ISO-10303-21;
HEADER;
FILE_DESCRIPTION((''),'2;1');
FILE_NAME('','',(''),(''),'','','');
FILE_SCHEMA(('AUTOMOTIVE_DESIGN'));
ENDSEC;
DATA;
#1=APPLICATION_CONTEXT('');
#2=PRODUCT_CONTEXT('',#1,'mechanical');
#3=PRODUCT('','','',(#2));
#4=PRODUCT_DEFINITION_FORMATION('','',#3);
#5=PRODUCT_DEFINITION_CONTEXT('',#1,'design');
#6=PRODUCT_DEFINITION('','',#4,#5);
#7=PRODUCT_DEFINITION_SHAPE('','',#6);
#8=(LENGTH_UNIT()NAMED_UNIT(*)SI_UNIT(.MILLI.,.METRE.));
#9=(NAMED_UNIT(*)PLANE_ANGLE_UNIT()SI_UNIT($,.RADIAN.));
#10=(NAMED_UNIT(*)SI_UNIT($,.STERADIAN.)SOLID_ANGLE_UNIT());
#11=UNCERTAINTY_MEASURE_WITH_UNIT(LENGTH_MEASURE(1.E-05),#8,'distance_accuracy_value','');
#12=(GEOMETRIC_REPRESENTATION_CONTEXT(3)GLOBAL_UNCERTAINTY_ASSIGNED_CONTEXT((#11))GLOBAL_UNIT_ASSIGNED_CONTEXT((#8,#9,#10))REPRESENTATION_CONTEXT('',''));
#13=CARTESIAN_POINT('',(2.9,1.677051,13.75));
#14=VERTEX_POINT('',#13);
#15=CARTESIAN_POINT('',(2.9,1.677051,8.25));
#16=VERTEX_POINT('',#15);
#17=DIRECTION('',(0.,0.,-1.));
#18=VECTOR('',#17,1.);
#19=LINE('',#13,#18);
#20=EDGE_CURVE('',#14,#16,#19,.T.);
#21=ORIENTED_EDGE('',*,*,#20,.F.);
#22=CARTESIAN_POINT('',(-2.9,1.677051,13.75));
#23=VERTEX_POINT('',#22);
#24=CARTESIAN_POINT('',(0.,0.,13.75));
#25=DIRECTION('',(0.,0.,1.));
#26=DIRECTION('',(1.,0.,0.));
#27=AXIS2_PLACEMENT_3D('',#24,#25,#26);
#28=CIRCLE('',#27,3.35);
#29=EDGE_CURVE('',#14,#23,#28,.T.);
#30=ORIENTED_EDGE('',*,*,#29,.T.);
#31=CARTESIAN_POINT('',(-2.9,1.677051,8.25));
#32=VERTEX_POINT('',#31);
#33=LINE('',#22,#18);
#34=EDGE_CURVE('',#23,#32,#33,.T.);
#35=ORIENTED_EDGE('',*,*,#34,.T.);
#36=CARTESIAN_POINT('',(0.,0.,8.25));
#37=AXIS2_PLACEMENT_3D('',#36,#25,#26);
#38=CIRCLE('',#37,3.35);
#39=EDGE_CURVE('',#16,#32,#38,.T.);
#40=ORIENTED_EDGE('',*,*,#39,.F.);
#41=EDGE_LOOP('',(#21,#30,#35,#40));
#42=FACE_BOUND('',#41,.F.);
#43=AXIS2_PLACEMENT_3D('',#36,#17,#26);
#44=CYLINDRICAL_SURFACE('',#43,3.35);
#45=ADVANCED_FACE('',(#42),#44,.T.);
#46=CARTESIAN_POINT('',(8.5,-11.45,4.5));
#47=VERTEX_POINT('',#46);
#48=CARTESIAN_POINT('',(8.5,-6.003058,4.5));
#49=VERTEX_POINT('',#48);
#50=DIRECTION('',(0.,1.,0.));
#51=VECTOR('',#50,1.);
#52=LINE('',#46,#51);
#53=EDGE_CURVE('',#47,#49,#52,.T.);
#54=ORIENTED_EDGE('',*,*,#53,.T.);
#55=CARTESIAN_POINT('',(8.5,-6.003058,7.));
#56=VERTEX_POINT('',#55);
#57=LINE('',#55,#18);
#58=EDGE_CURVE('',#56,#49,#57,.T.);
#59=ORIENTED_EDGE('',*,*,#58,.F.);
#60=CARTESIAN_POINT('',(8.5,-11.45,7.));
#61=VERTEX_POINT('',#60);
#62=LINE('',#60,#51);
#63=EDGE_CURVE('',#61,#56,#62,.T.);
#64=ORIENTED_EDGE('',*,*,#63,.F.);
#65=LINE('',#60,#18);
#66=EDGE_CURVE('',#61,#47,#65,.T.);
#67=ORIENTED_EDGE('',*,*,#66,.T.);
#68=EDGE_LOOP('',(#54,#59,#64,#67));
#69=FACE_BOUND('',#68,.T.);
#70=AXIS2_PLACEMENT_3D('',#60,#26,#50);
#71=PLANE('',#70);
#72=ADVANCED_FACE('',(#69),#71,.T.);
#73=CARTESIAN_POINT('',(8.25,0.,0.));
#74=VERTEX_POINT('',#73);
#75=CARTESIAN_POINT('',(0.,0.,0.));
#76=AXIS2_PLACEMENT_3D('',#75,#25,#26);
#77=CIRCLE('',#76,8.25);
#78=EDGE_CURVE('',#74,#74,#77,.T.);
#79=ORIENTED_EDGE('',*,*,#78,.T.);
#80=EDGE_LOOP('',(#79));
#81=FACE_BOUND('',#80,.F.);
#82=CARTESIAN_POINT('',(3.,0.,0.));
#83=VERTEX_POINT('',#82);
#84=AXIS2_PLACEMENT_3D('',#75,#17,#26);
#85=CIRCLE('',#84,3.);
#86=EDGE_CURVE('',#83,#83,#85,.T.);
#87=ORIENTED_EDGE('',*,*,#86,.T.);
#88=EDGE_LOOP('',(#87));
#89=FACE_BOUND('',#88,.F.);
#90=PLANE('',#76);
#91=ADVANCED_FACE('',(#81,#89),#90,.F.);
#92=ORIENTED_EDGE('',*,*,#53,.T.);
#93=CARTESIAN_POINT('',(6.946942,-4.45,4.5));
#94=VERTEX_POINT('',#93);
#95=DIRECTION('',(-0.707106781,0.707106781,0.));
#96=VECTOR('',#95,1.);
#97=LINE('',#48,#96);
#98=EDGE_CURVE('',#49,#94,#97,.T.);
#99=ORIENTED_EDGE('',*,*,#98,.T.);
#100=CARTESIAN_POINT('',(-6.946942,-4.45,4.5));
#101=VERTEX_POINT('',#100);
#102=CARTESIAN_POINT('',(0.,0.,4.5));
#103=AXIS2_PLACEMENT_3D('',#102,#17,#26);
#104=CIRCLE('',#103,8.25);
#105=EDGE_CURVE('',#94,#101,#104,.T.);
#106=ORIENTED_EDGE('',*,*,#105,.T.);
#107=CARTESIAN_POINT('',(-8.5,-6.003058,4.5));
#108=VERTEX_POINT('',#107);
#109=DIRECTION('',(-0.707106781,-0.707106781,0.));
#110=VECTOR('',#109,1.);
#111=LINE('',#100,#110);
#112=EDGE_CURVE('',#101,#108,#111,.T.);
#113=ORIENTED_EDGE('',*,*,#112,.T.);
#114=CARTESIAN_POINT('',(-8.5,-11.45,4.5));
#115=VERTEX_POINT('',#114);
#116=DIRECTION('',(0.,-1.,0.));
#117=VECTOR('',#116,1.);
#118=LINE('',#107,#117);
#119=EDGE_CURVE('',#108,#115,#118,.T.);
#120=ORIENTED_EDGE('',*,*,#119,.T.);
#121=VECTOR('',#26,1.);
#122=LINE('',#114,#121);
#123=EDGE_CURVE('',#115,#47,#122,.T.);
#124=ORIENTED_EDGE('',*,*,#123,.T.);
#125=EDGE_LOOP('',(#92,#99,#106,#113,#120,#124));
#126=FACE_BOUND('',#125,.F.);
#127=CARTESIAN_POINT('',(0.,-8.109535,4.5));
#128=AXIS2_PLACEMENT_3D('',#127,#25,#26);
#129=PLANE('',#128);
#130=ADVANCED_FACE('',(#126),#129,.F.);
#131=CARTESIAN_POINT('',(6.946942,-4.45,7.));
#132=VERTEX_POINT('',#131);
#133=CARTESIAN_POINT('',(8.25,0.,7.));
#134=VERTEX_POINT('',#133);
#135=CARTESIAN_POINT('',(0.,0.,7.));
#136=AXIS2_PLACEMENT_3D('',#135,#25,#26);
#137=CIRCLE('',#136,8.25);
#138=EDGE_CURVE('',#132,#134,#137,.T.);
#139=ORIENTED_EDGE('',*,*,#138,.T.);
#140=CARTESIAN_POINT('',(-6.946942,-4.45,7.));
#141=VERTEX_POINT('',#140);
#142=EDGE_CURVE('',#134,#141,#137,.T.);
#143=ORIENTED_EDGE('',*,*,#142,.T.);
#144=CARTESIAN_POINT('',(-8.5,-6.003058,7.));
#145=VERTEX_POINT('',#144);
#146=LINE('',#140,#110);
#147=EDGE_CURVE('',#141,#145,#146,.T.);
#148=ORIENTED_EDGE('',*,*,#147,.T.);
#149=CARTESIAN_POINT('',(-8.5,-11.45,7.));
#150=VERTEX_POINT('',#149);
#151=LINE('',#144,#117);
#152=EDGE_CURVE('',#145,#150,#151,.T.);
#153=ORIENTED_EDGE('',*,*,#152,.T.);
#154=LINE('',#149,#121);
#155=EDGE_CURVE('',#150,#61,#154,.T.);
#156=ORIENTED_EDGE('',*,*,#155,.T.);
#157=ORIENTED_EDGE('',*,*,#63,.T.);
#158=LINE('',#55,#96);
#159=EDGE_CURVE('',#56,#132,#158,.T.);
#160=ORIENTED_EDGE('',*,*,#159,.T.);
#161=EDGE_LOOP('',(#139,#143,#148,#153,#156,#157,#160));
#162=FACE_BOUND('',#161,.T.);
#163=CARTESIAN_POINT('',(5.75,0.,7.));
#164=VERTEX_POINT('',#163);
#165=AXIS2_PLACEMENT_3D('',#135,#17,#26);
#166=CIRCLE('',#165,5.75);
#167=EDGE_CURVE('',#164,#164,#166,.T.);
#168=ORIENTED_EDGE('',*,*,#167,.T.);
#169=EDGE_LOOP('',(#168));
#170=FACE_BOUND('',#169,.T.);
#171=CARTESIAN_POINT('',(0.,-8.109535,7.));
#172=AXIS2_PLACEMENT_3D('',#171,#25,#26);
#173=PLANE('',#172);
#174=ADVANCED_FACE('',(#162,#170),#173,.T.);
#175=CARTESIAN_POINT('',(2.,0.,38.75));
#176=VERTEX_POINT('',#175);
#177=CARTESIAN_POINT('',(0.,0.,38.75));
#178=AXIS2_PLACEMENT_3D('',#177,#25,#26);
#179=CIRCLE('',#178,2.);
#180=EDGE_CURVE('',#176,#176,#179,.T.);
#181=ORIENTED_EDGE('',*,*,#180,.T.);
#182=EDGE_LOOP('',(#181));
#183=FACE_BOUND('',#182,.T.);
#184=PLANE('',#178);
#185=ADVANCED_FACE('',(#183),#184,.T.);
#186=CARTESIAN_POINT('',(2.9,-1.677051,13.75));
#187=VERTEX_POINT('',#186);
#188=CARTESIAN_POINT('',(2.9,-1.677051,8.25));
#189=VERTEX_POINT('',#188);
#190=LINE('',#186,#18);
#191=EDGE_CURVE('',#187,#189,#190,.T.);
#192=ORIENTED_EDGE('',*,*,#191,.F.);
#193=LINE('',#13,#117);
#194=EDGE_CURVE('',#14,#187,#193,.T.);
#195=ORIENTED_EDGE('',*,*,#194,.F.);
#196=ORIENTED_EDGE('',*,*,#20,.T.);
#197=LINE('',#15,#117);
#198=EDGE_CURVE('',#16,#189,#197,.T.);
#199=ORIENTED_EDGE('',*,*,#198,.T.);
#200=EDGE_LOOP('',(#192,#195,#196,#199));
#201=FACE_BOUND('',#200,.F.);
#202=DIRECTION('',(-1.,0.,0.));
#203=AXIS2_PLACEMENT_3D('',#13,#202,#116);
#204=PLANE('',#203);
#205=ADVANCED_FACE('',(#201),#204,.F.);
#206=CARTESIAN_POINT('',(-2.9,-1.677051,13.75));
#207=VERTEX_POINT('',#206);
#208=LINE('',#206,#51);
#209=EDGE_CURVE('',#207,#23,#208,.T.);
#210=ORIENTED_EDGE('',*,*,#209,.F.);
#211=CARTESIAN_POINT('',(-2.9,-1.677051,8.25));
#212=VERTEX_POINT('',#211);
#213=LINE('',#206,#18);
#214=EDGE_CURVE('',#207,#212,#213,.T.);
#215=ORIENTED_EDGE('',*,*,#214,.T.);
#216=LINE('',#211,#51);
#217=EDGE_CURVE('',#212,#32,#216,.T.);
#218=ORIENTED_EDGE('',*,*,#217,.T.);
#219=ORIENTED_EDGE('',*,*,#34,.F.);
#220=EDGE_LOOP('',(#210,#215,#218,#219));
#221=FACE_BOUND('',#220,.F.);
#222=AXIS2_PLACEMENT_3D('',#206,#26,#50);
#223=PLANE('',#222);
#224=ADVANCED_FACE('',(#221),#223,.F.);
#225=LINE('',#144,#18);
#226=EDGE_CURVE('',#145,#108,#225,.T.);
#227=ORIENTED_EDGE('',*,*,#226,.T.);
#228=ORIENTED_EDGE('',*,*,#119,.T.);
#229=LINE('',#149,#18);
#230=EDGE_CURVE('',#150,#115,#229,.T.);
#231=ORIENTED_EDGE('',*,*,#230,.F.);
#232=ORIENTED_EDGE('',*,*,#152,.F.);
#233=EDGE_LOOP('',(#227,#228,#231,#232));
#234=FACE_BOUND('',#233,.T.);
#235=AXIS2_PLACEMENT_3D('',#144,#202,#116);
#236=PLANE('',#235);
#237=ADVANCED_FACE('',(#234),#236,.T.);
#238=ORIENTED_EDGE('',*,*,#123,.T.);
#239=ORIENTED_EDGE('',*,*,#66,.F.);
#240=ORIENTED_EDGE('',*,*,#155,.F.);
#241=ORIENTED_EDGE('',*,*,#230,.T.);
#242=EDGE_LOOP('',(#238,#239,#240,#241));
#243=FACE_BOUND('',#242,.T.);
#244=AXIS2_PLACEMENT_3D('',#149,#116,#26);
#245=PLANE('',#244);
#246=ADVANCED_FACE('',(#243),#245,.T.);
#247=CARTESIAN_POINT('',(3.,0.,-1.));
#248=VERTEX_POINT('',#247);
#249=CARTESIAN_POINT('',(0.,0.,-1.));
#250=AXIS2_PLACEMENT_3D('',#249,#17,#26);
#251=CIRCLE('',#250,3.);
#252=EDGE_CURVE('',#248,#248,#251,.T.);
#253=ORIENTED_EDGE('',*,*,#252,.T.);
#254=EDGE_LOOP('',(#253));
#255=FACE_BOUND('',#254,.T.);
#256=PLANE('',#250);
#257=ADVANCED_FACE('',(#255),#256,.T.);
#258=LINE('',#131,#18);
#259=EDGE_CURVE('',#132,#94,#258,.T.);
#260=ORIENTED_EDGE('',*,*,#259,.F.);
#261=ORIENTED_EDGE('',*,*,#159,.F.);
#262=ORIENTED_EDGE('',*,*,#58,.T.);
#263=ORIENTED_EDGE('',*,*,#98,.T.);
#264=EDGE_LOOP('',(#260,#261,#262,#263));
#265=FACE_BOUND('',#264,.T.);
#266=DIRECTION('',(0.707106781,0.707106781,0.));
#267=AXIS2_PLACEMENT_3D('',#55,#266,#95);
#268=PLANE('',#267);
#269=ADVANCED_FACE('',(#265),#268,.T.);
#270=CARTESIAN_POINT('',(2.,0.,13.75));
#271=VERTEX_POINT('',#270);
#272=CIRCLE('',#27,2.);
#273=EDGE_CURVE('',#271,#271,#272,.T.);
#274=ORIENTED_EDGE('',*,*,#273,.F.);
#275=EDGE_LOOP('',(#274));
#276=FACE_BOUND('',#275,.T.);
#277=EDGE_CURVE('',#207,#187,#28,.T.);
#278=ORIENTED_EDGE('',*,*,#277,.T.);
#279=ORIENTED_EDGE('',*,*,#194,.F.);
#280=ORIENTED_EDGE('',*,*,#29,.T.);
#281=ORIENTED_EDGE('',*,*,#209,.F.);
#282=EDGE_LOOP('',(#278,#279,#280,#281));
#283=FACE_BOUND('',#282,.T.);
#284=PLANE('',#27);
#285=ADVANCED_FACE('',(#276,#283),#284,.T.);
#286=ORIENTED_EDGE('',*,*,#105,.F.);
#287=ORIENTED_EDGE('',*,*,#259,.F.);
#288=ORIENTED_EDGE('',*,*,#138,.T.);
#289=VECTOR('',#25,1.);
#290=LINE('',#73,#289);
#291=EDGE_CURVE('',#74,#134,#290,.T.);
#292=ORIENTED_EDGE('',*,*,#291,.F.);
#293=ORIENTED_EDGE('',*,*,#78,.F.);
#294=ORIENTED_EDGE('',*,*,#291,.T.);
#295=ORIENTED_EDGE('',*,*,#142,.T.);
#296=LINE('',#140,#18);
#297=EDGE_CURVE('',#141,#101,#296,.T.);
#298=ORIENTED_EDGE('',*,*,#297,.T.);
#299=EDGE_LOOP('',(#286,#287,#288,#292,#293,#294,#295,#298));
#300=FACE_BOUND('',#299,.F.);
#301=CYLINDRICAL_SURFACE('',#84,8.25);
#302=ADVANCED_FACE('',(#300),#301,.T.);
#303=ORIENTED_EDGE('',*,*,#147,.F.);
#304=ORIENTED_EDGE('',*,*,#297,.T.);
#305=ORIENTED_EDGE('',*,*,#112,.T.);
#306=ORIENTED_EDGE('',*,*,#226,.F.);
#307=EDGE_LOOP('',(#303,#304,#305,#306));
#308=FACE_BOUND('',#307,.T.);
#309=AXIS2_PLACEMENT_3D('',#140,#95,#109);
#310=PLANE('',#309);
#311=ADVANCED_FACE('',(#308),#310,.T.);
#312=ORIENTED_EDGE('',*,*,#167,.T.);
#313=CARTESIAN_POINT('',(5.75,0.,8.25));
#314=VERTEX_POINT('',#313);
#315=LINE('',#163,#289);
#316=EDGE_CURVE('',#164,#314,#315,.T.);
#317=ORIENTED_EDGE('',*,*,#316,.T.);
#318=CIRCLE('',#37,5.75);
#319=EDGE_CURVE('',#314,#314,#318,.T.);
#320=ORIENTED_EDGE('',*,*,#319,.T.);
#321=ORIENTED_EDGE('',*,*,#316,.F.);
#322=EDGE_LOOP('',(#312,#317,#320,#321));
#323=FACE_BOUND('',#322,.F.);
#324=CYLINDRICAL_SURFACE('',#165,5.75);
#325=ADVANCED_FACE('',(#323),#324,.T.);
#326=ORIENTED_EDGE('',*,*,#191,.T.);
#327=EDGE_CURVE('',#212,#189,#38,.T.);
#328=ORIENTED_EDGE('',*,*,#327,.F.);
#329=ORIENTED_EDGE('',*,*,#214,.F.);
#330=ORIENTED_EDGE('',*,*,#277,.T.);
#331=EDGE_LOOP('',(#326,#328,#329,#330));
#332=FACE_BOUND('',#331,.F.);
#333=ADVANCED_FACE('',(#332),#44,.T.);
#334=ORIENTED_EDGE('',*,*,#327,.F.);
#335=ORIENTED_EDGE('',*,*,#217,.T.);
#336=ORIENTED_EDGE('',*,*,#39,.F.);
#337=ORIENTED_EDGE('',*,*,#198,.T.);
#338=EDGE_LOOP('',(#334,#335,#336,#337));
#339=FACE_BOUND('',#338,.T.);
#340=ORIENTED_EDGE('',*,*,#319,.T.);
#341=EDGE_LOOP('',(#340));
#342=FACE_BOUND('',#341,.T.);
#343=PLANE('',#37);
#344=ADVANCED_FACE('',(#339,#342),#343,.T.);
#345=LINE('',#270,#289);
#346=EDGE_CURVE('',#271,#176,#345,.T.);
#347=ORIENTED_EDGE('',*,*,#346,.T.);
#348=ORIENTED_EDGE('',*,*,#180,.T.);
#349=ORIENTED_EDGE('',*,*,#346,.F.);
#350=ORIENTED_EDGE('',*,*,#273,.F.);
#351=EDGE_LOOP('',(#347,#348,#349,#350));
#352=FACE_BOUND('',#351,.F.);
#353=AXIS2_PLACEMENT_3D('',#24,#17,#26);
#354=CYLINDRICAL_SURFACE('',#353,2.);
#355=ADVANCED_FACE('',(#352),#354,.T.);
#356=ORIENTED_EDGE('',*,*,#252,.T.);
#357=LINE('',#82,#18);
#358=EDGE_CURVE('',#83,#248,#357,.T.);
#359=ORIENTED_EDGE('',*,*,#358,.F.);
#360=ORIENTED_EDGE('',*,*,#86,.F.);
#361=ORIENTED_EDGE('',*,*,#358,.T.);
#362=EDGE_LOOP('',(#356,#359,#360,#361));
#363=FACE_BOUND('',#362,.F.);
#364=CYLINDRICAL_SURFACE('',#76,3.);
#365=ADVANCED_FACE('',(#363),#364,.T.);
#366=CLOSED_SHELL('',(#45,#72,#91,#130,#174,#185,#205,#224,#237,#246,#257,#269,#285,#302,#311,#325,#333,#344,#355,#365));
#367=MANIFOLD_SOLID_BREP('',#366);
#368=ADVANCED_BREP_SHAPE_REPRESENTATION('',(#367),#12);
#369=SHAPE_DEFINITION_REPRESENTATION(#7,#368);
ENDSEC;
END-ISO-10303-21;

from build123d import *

# Parameters (mm, degrees)
F0_R      = 8.25
F1_DEPTH  = 7
F2_R      = 3
F3_DEPTH  = 1
F4_R      = 5.75
F5_DEPTH  = 1.25
F6_R      = 3.35
F7_DEPTH  = 5.5
F9_DEPTH  = 5.5
F10_R     = 2
F11_DEPTH = 25
F13_DEPTH = 2.5


with BuildPart() as f1:
    # F0 (on Top) → F1 (new body)
    with BuildSketch(Plane.XY):
        Circle(F0_R)
    extrude(amount=F1_DEPTH)

    # F2 (on face) → F3 (join)
    with BuildSketch(Plane(origin=(0, 0, 0), x_dir=(1, 0, 0), z_dir=(0, 0, -1))):
        Circle(F2_R)
    extrude(amount=F3_DEPTH)

    # F4 (on face) → F5 (join)
    with BuildSketch(Plane.XY.offset(7)):
        Circle(F4_R)
    extrude(amount=F5_DEPTH)

    # F6 (on face) → F7 (join)
    with BuildSketch(Plane.XY.offset(8.25)):
        Circle(F6_R)
    extrude(amount=F7_DEPTH)

    # F8 (on face) → F9 (cut, through all)
    with BuildSketch(Plane.XY.offset(13.75)):
        with BuildLine():
            ThreePointArc((-2.9, 1.677051), (-3.35, 0), (-2.9, -1.677051))
            Line((-2.9, -1.677051), (-2.9, 1.677051))
        make_face()
        with BuildLine():
            Line((2.9, 1.677051), (2.9, -1.677051))
            ThreePointArc((2.9, -1.677051), (3.235545, -0.868188), (3.35, 0))
            ThreePointArc((3.35, 0), (3.235545, 0.868188), (2.9, 1.677051))
        make_face()
    extrude(amount=-F9_DEPTH, mode=Mode.SUBTRACT)

    # F10 (on face) → F11 (join)
    with BuildSketch(Plane.XY.offset(13.75)):
        Circle(F10_R)
    extrude(amount=F11_DEPTH)

    # F12 (on face) → F13 (join)
    with BuildSketch(Plane.XY.offset(7)):
        Polygon((-8.5, -11.45), (8.5, -11.45), (8.5, -6.003058), (6.946942, -4.45), (-6.946942, -4.45), (-8.5, -6.003058), align=None)
    extrude(amount=-F13_DEPTH)


solid = f1.part
